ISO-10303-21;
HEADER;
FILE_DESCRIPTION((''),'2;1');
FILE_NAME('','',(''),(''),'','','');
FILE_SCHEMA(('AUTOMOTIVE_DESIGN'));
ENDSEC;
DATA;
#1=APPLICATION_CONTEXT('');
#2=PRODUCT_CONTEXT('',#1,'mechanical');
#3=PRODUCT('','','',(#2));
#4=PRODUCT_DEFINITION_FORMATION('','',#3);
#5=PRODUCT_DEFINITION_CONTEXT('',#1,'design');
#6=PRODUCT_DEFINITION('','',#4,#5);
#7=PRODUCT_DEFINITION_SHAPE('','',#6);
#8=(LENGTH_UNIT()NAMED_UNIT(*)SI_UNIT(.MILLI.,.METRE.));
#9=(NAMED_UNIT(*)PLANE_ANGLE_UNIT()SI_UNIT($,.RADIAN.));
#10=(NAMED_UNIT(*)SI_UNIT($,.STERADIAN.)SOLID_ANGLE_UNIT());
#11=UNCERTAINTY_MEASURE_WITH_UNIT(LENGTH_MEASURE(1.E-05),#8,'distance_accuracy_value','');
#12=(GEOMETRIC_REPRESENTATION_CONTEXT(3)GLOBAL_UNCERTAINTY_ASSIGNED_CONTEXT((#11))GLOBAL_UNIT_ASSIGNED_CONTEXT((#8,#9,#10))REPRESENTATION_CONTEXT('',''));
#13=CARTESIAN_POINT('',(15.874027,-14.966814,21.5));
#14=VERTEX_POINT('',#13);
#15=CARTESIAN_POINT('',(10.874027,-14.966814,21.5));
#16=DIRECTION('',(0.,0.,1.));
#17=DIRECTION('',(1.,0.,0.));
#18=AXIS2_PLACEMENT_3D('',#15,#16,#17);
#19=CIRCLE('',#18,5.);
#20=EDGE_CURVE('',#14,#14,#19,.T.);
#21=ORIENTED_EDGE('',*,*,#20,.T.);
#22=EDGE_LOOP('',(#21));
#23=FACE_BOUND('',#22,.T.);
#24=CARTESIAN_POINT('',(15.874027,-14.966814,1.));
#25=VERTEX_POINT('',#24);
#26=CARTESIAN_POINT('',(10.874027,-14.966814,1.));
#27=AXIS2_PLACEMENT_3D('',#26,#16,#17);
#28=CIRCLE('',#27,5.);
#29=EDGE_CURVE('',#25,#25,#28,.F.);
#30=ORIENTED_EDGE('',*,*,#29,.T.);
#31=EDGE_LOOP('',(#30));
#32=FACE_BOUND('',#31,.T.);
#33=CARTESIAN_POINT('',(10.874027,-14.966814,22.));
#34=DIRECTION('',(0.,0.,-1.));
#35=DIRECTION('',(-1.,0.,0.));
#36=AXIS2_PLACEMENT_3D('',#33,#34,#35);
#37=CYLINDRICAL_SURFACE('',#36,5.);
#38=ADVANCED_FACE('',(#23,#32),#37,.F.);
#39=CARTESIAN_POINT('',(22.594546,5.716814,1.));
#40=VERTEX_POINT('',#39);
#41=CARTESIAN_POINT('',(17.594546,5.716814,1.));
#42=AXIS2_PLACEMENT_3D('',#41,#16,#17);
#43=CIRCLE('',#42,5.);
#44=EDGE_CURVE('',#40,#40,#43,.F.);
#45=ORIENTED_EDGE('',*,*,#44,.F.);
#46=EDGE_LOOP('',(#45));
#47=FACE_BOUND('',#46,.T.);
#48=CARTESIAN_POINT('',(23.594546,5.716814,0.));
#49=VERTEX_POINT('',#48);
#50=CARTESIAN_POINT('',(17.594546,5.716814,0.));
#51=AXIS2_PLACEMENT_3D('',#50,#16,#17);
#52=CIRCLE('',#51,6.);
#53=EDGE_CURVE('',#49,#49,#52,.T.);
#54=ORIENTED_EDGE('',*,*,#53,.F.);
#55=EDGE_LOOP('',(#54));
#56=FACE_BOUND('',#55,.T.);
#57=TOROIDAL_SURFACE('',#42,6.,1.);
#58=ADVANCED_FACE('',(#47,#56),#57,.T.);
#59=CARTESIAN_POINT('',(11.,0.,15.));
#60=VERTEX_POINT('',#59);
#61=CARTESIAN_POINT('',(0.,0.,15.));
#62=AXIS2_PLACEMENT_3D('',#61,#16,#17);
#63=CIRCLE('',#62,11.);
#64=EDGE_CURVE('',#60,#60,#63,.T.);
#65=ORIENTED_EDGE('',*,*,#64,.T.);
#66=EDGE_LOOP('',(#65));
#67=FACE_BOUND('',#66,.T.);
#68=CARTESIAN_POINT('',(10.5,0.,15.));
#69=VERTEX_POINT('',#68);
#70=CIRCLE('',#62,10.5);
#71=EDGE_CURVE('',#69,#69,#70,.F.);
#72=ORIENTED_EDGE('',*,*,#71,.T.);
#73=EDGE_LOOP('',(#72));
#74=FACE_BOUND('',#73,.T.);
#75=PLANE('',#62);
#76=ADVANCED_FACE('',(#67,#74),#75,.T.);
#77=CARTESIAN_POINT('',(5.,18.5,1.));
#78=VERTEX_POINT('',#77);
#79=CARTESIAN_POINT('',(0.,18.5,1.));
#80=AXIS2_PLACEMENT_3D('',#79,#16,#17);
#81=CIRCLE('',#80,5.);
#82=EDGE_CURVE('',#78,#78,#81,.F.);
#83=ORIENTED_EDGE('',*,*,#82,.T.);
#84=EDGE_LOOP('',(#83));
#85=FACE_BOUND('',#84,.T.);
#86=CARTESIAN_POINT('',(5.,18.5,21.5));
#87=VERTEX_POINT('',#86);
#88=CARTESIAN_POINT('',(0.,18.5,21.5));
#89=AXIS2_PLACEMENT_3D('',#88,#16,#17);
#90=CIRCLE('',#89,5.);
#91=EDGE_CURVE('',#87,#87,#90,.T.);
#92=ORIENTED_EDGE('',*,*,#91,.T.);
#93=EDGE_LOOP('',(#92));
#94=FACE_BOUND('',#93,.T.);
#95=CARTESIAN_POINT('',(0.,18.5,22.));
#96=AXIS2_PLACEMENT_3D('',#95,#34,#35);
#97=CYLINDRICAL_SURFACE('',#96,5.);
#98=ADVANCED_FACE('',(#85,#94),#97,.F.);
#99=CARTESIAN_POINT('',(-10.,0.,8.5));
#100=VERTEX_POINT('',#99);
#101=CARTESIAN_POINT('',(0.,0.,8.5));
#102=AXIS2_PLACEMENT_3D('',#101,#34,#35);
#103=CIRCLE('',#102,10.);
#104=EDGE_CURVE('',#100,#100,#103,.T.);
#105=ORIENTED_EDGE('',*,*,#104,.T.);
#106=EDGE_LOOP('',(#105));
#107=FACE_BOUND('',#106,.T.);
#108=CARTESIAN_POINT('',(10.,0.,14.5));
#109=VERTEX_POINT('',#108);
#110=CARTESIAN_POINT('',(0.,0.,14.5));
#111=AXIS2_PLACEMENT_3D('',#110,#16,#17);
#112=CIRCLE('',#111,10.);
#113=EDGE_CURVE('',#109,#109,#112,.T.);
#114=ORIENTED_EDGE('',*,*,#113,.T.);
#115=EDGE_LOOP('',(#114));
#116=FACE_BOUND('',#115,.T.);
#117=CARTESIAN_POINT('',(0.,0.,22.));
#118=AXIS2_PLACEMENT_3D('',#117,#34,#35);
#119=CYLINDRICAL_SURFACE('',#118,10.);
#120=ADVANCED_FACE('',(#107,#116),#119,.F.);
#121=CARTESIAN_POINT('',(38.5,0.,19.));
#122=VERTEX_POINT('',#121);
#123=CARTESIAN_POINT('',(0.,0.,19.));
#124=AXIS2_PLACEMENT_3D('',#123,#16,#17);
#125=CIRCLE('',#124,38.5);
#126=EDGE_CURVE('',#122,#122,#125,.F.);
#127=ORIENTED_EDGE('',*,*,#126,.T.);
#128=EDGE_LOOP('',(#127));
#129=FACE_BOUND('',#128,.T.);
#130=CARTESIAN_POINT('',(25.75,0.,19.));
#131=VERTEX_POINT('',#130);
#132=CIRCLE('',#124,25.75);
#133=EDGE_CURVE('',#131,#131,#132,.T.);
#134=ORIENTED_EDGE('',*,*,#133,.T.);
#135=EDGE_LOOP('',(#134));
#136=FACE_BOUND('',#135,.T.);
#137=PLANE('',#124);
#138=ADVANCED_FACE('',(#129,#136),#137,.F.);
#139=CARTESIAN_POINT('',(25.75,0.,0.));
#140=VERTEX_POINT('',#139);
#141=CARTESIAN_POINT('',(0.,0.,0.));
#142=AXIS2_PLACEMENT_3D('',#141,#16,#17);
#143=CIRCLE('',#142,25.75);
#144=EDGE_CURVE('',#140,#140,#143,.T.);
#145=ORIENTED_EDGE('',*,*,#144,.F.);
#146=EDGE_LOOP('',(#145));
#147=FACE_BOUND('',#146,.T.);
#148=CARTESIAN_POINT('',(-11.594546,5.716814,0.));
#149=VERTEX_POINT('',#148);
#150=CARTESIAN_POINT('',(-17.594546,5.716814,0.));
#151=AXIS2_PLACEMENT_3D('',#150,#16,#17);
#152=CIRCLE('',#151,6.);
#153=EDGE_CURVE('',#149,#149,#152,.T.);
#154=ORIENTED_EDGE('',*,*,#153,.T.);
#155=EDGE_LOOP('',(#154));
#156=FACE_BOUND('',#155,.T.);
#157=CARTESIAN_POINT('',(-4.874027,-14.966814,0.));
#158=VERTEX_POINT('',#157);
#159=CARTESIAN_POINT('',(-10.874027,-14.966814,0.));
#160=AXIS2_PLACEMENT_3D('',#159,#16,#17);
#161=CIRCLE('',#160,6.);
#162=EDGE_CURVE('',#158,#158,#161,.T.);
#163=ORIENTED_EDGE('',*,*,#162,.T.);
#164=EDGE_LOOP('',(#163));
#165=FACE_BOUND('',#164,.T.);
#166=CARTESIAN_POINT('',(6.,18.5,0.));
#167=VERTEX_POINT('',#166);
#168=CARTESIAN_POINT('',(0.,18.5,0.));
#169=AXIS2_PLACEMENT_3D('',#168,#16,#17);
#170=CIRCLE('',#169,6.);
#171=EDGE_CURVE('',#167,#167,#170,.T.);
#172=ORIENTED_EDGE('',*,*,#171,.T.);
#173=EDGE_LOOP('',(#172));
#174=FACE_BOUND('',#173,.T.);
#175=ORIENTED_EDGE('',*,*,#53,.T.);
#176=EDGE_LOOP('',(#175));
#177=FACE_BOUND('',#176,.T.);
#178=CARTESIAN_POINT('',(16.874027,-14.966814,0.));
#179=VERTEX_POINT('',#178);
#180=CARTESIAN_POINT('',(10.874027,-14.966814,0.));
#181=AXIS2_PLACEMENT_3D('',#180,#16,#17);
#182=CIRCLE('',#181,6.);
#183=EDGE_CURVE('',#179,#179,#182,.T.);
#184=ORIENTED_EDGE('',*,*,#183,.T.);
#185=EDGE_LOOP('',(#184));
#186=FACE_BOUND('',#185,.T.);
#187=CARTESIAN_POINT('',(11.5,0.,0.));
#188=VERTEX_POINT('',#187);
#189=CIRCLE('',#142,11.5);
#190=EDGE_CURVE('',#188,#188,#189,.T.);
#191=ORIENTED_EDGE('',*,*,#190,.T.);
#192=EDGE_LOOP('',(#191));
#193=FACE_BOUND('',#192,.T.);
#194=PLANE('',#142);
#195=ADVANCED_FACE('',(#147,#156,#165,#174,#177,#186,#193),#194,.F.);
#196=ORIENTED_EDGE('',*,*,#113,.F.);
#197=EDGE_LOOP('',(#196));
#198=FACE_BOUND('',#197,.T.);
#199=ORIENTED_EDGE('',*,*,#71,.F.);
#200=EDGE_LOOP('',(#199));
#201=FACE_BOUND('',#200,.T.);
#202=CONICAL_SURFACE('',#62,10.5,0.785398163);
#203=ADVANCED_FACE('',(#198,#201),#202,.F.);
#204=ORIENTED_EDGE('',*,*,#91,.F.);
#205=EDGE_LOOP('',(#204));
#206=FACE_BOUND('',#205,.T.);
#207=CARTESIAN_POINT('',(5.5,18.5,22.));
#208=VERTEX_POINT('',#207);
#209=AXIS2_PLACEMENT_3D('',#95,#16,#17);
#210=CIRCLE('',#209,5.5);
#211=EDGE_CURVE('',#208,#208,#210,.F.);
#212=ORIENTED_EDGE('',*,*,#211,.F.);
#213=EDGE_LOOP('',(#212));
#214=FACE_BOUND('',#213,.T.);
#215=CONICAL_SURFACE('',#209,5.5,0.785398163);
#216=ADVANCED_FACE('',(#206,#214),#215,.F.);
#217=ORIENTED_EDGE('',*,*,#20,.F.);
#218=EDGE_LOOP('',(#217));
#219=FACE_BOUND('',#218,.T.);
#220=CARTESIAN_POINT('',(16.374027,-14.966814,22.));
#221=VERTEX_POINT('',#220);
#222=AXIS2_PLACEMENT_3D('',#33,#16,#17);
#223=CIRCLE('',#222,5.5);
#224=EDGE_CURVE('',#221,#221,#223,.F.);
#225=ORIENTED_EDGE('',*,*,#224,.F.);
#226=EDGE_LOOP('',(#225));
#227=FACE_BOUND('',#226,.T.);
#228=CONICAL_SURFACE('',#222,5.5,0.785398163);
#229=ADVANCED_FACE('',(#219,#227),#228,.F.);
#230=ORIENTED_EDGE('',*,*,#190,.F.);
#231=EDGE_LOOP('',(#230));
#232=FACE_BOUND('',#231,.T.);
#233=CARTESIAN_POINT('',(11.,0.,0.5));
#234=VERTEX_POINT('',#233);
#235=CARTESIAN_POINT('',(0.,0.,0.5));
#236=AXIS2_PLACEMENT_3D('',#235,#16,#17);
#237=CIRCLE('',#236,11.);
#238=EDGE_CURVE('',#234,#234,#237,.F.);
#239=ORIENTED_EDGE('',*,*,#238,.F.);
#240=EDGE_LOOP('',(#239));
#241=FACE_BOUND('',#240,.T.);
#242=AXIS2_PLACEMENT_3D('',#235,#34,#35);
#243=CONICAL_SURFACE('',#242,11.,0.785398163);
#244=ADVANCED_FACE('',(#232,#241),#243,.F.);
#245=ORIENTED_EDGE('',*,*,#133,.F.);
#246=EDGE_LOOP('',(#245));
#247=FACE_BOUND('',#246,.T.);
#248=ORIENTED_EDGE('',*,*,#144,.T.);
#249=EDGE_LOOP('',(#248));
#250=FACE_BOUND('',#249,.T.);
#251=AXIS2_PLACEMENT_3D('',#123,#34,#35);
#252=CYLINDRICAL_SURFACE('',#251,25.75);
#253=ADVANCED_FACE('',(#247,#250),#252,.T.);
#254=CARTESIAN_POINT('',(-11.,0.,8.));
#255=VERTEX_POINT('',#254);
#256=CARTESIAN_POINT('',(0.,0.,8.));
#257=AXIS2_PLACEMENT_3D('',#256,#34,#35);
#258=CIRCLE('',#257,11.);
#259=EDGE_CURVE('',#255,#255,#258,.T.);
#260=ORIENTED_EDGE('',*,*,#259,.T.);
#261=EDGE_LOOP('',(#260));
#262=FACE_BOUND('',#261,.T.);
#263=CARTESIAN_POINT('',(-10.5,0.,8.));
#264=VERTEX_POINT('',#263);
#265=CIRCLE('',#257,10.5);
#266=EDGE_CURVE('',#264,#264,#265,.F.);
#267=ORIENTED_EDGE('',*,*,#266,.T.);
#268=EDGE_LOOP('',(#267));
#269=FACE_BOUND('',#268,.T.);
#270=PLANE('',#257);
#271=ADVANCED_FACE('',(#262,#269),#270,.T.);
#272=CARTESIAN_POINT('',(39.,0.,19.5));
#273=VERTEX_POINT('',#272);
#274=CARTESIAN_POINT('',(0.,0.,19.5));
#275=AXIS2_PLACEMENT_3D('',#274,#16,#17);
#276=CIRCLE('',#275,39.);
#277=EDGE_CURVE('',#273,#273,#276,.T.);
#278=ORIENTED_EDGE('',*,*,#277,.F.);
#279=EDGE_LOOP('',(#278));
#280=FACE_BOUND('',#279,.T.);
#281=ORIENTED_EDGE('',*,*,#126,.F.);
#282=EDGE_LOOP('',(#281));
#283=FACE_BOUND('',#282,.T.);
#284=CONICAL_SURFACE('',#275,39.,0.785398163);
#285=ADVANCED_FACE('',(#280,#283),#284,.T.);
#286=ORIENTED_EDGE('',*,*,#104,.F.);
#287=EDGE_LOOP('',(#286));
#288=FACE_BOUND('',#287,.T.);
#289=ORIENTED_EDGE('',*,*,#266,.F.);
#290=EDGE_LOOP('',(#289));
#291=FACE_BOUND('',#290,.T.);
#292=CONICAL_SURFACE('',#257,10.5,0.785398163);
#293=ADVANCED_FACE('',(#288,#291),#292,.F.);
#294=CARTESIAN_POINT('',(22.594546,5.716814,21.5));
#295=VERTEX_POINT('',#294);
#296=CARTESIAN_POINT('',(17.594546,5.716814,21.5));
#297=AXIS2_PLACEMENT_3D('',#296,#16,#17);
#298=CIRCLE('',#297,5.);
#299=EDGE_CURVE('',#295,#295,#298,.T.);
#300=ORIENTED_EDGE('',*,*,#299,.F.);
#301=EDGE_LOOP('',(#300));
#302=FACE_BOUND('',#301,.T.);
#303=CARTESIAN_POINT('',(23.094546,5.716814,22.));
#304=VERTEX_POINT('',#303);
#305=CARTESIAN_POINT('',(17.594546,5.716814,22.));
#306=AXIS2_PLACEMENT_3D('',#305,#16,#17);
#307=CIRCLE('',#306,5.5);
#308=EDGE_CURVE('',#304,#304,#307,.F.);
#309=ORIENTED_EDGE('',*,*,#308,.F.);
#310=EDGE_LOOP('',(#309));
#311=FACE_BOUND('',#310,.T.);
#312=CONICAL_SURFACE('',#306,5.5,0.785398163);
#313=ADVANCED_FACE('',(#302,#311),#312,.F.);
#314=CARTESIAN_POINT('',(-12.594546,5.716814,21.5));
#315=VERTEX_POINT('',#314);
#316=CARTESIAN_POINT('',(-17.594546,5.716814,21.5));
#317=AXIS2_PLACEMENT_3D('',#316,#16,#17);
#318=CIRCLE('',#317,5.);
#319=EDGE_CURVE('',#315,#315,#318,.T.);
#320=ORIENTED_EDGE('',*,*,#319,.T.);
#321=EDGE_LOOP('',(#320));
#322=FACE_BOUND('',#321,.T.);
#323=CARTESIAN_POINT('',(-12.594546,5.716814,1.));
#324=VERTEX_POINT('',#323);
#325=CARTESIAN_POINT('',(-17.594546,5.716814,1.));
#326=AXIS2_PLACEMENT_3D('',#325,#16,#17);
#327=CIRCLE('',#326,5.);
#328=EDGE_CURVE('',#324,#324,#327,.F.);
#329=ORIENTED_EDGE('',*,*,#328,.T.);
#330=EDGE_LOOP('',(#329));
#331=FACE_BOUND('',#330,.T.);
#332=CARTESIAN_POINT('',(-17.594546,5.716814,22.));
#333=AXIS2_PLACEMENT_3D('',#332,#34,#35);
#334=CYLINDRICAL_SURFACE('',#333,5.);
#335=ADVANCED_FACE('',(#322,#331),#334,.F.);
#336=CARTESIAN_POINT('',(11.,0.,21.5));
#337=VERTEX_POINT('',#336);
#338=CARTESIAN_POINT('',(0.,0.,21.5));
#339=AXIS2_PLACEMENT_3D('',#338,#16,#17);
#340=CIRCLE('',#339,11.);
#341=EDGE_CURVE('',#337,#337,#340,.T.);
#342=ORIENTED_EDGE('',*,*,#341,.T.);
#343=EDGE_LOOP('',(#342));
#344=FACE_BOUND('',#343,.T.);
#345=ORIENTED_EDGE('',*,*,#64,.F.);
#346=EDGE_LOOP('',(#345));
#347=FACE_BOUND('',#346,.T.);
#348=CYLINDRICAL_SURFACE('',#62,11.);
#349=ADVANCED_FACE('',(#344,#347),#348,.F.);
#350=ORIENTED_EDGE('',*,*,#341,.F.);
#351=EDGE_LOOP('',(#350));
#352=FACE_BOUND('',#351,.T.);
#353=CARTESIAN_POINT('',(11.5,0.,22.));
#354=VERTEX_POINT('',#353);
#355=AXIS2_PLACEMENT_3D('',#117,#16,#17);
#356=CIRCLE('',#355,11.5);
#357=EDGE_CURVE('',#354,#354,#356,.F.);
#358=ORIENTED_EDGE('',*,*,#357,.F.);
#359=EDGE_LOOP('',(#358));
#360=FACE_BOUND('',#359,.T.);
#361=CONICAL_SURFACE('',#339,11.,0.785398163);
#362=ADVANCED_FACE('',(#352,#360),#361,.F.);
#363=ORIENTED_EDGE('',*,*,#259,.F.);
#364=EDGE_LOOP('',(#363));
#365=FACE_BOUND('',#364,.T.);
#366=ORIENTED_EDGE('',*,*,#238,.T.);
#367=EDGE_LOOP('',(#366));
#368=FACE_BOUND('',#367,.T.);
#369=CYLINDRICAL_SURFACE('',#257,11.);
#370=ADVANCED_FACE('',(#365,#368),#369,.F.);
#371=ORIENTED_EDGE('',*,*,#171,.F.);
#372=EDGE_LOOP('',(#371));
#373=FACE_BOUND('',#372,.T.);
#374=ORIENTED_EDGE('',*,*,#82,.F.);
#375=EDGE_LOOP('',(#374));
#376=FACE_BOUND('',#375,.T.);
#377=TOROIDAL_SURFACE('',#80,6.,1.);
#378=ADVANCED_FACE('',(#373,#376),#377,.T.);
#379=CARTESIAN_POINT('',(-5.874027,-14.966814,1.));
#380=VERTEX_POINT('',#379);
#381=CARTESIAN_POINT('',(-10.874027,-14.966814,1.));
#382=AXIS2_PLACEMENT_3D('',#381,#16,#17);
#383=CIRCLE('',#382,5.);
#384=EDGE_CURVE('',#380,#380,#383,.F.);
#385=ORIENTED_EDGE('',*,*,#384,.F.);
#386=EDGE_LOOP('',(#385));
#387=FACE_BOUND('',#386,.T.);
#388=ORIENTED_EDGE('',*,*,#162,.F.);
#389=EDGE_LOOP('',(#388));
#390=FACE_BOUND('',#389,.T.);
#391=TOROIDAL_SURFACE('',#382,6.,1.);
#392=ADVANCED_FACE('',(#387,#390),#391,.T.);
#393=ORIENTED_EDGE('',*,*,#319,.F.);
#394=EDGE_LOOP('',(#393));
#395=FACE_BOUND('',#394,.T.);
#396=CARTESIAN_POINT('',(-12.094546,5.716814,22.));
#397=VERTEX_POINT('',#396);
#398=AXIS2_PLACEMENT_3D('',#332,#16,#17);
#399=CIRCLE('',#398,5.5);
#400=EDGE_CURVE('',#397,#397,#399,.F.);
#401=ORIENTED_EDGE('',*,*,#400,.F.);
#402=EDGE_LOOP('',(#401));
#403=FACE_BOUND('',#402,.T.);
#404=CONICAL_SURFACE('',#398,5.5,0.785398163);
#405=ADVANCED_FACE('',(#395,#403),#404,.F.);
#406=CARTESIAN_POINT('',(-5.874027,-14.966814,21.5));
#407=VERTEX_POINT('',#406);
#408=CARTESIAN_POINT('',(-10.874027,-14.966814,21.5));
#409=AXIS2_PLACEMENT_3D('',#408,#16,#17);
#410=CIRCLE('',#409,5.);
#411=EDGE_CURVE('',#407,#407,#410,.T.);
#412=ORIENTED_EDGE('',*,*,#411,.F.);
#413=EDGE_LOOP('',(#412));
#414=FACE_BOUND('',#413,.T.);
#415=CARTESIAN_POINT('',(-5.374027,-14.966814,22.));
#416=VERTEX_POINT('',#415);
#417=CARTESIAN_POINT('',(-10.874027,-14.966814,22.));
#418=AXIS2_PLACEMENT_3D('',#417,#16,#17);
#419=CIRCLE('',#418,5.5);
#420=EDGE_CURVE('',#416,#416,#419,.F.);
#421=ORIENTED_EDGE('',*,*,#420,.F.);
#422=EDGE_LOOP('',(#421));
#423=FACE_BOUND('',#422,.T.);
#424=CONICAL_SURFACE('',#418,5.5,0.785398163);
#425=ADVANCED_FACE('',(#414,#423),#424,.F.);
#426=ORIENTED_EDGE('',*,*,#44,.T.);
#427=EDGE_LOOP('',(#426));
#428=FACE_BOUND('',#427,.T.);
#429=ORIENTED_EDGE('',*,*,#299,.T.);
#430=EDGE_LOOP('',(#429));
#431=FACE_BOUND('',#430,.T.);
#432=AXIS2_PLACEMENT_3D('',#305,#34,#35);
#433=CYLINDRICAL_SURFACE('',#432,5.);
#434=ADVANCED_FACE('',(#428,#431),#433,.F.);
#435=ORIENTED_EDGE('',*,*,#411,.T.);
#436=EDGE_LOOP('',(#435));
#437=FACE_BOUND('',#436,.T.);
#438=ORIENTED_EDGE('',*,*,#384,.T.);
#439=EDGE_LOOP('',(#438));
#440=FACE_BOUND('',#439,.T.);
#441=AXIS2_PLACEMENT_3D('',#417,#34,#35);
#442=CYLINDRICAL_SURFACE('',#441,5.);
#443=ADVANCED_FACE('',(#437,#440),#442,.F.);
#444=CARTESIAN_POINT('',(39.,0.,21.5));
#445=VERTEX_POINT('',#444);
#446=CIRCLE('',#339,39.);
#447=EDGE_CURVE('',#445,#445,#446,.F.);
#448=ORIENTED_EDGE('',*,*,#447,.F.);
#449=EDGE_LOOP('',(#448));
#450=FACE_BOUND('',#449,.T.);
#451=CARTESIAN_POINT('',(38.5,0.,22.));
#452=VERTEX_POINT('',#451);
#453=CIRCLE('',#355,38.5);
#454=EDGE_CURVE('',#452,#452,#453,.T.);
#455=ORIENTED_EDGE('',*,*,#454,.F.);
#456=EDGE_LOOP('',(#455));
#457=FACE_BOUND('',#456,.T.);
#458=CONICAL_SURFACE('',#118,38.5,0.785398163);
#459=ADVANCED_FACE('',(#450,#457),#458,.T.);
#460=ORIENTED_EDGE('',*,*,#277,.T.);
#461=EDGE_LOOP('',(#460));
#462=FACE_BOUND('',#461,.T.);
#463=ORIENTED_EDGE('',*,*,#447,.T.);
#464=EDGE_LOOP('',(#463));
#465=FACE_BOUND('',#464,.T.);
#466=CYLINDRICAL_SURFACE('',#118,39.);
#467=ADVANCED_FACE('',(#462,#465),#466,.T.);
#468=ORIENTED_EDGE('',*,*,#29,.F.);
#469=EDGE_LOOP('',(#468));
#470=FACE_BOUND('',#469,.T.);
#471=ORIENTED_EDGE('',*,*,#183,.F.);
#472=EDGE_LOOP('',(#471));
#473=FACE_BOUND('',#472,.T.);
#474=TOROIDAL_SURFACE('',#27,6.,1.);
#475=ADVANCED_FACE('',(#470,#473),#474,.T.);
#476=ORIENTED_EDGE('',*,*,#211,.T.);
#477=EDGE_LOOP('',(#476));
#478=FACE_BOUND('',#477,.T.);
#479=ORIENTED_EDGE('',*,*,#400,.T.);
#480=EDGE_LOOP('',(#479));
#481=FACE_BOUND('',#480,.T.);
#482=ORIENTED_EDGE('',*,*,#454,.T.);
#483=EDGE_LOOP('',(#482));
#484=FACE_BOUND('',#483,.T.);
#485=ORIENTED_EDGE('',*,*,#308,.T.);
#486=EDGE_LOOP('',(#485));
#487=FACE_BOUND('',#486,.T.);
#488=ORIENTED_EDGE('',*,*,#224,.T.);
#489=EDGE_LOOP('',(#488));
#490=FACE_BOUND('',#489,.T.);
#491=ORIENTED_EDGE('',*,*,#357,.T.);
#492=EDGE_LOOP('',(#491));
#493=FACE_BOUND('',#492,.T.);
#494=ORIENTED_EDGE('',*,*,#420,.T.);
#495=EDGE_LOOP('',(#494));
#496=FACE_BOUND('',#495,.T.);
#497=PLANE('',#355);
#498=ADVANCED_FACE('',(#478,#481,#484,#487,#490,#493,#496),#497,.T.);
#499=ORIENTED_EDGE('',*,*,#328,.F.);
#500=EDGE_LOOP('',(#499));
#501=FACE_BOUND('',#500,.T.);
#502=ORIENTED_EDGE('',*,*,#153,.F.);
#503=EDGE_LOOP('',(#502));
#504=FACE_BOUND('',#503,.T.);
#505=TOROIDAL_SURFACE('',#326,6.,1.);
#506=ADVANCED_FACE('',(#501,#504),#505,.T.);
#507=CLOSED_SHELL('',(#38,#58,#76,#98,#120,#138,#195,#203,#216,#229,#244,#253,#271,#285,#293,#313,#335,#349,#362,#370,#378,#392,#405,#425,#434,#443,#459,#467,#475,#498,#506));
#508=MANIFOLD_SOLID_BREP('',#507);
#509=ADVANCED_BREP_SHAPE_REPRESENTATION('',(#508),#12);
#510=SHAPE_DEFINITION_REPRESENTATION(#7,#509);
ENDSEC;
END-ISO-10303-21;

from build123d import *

# Parameters (mm, degrees)
SKETCH1_R           = 25.75
BOSS_EXTRUDE1_DEPTH = 19
SKETCH2_R           = 39
BOSS_EXTRUDE2_DEPTH = 3
SKETCH3_R           = 5
CUT_EXTRUDE1_DEPTH  = 23
SKETCH4_R           = 10
CUT_EXTRUDE2_DEPTH  = 23
SKETCH5_R           = 11
CUT_EXTRUDE3_DEPTH  = 8
SKETCH6_R           = 11
CUT_EXTRUDE4_DEPTH  = 7
CHAMFER1_SIZE       = 0.5
FILLET1_R           = 1


with BuildPart() as part:
    # Sketch1 → Boss-Extrude1 (new body)
    with BuildSketch(Plane.XY):
        Circle(SKETCH1_R)
    extrude(amount=BOSS_EXTRUDE1_DEPTH)

    # Sketch2 → Boss-Extrude2 (add)
    with BuildSketch(Plane.XY.offset(19)):
        Circle(SKETCH2_R)
    extrude(amount=BOSS_EXTRUDE2_DEPTH)

    # Sketch3 → Cut-Extrude1 (cut, through all)
    with BuildSketch(Plane(origin=(0, 0, 0), x_dir=(-1, 0, 0), z_dir=(0, 0, -1))):
        with Locations((0, 18.5)):
            Circle(SKETCH3_R)
        with Locations((17.594545551, 5.716814396)):
            Circle(SKETCH3_R)
        with Locations((10.874027167, -14.966814396)):
            Circle(SKETCH3_R)
        with Locations((-10.874027167, -14.966814396)):
            Circle(SKETCH3_R)
        with Locations((-17.594545551, 5.716814396)):
            Circle(SKETCH3_R)
    extrude(amount=-CUT_EXTRUDE1_DEPTH, mode=Mode.SUBTRACT)

    # Sketch4 → Cut-Extrude2 (cut, through all)
    with BuildSketch(Plane(origin=(0, 0, 0), x_dir=(-1, 0, 0), z_dir=(0, 0, -1))):
        Circle(SKETCH4_R)
    extrude(amount=-CUT_EXTRUDE2_DEPTH, mode=Mode.SUBTRACT)

    # Sketch5 → Cut-Extrude3 (cut)
    with BuildSketch(Plane(origin=(0, 0, 0), x_dir=(-1, 0, 0), z_dir=(0, 0, -1))):
        Circle(SKETCH5_R)
    extrude(amount=-CUT_EXTRUDE3_DEPTH, mode=Mode.SUBTRACT)

    # Sketch6 → Cut-Extrude4 (cut)
    with BuildSketch(Plane.XY.offset(22)):
        Circle(SKETCH6_R)
    extrude(amount=-CUT_EXTRUDE4_DEPTH, mode=Mode.SUBTRACT)

    # Chamfer1
    chamfer1_edges = [part.edges().sort_by_distance(p)[0] for p in [
        (5, 18.5, 22),
        (-12.594545551, 5.716814396, 22),
        (-5.874027167, -14.966814396, 22),
        (15.874027167, -14.966814396, 22),
        (22.594545551, 5.716814396, 22),
        (11, 0, 0),
        (10, 0, 8),
        (-11, 0, 22),
        (10, 0, 15),
        (-39, 0, 19),
        (-39, 0, 22),
    ]]
    chamfer(chamfer1_edges, length=CHAMFER1_SIZE)

    # Fillet1
    fillet1_edges = [part.edges().sort_by_distance(p)[0] for p in [
        (5, 18.5, 0),
        (-12.594545551, 5.716814396, 0),
        (-5.874027167, -14.966814396, 0),
        (15.874027167, -14.966814396, 0),
        (22.594545551, 5.716814396, 0),
    ]]
    fillet(fillet1_edges, radius=FILLET1_R)


solid = part.part
